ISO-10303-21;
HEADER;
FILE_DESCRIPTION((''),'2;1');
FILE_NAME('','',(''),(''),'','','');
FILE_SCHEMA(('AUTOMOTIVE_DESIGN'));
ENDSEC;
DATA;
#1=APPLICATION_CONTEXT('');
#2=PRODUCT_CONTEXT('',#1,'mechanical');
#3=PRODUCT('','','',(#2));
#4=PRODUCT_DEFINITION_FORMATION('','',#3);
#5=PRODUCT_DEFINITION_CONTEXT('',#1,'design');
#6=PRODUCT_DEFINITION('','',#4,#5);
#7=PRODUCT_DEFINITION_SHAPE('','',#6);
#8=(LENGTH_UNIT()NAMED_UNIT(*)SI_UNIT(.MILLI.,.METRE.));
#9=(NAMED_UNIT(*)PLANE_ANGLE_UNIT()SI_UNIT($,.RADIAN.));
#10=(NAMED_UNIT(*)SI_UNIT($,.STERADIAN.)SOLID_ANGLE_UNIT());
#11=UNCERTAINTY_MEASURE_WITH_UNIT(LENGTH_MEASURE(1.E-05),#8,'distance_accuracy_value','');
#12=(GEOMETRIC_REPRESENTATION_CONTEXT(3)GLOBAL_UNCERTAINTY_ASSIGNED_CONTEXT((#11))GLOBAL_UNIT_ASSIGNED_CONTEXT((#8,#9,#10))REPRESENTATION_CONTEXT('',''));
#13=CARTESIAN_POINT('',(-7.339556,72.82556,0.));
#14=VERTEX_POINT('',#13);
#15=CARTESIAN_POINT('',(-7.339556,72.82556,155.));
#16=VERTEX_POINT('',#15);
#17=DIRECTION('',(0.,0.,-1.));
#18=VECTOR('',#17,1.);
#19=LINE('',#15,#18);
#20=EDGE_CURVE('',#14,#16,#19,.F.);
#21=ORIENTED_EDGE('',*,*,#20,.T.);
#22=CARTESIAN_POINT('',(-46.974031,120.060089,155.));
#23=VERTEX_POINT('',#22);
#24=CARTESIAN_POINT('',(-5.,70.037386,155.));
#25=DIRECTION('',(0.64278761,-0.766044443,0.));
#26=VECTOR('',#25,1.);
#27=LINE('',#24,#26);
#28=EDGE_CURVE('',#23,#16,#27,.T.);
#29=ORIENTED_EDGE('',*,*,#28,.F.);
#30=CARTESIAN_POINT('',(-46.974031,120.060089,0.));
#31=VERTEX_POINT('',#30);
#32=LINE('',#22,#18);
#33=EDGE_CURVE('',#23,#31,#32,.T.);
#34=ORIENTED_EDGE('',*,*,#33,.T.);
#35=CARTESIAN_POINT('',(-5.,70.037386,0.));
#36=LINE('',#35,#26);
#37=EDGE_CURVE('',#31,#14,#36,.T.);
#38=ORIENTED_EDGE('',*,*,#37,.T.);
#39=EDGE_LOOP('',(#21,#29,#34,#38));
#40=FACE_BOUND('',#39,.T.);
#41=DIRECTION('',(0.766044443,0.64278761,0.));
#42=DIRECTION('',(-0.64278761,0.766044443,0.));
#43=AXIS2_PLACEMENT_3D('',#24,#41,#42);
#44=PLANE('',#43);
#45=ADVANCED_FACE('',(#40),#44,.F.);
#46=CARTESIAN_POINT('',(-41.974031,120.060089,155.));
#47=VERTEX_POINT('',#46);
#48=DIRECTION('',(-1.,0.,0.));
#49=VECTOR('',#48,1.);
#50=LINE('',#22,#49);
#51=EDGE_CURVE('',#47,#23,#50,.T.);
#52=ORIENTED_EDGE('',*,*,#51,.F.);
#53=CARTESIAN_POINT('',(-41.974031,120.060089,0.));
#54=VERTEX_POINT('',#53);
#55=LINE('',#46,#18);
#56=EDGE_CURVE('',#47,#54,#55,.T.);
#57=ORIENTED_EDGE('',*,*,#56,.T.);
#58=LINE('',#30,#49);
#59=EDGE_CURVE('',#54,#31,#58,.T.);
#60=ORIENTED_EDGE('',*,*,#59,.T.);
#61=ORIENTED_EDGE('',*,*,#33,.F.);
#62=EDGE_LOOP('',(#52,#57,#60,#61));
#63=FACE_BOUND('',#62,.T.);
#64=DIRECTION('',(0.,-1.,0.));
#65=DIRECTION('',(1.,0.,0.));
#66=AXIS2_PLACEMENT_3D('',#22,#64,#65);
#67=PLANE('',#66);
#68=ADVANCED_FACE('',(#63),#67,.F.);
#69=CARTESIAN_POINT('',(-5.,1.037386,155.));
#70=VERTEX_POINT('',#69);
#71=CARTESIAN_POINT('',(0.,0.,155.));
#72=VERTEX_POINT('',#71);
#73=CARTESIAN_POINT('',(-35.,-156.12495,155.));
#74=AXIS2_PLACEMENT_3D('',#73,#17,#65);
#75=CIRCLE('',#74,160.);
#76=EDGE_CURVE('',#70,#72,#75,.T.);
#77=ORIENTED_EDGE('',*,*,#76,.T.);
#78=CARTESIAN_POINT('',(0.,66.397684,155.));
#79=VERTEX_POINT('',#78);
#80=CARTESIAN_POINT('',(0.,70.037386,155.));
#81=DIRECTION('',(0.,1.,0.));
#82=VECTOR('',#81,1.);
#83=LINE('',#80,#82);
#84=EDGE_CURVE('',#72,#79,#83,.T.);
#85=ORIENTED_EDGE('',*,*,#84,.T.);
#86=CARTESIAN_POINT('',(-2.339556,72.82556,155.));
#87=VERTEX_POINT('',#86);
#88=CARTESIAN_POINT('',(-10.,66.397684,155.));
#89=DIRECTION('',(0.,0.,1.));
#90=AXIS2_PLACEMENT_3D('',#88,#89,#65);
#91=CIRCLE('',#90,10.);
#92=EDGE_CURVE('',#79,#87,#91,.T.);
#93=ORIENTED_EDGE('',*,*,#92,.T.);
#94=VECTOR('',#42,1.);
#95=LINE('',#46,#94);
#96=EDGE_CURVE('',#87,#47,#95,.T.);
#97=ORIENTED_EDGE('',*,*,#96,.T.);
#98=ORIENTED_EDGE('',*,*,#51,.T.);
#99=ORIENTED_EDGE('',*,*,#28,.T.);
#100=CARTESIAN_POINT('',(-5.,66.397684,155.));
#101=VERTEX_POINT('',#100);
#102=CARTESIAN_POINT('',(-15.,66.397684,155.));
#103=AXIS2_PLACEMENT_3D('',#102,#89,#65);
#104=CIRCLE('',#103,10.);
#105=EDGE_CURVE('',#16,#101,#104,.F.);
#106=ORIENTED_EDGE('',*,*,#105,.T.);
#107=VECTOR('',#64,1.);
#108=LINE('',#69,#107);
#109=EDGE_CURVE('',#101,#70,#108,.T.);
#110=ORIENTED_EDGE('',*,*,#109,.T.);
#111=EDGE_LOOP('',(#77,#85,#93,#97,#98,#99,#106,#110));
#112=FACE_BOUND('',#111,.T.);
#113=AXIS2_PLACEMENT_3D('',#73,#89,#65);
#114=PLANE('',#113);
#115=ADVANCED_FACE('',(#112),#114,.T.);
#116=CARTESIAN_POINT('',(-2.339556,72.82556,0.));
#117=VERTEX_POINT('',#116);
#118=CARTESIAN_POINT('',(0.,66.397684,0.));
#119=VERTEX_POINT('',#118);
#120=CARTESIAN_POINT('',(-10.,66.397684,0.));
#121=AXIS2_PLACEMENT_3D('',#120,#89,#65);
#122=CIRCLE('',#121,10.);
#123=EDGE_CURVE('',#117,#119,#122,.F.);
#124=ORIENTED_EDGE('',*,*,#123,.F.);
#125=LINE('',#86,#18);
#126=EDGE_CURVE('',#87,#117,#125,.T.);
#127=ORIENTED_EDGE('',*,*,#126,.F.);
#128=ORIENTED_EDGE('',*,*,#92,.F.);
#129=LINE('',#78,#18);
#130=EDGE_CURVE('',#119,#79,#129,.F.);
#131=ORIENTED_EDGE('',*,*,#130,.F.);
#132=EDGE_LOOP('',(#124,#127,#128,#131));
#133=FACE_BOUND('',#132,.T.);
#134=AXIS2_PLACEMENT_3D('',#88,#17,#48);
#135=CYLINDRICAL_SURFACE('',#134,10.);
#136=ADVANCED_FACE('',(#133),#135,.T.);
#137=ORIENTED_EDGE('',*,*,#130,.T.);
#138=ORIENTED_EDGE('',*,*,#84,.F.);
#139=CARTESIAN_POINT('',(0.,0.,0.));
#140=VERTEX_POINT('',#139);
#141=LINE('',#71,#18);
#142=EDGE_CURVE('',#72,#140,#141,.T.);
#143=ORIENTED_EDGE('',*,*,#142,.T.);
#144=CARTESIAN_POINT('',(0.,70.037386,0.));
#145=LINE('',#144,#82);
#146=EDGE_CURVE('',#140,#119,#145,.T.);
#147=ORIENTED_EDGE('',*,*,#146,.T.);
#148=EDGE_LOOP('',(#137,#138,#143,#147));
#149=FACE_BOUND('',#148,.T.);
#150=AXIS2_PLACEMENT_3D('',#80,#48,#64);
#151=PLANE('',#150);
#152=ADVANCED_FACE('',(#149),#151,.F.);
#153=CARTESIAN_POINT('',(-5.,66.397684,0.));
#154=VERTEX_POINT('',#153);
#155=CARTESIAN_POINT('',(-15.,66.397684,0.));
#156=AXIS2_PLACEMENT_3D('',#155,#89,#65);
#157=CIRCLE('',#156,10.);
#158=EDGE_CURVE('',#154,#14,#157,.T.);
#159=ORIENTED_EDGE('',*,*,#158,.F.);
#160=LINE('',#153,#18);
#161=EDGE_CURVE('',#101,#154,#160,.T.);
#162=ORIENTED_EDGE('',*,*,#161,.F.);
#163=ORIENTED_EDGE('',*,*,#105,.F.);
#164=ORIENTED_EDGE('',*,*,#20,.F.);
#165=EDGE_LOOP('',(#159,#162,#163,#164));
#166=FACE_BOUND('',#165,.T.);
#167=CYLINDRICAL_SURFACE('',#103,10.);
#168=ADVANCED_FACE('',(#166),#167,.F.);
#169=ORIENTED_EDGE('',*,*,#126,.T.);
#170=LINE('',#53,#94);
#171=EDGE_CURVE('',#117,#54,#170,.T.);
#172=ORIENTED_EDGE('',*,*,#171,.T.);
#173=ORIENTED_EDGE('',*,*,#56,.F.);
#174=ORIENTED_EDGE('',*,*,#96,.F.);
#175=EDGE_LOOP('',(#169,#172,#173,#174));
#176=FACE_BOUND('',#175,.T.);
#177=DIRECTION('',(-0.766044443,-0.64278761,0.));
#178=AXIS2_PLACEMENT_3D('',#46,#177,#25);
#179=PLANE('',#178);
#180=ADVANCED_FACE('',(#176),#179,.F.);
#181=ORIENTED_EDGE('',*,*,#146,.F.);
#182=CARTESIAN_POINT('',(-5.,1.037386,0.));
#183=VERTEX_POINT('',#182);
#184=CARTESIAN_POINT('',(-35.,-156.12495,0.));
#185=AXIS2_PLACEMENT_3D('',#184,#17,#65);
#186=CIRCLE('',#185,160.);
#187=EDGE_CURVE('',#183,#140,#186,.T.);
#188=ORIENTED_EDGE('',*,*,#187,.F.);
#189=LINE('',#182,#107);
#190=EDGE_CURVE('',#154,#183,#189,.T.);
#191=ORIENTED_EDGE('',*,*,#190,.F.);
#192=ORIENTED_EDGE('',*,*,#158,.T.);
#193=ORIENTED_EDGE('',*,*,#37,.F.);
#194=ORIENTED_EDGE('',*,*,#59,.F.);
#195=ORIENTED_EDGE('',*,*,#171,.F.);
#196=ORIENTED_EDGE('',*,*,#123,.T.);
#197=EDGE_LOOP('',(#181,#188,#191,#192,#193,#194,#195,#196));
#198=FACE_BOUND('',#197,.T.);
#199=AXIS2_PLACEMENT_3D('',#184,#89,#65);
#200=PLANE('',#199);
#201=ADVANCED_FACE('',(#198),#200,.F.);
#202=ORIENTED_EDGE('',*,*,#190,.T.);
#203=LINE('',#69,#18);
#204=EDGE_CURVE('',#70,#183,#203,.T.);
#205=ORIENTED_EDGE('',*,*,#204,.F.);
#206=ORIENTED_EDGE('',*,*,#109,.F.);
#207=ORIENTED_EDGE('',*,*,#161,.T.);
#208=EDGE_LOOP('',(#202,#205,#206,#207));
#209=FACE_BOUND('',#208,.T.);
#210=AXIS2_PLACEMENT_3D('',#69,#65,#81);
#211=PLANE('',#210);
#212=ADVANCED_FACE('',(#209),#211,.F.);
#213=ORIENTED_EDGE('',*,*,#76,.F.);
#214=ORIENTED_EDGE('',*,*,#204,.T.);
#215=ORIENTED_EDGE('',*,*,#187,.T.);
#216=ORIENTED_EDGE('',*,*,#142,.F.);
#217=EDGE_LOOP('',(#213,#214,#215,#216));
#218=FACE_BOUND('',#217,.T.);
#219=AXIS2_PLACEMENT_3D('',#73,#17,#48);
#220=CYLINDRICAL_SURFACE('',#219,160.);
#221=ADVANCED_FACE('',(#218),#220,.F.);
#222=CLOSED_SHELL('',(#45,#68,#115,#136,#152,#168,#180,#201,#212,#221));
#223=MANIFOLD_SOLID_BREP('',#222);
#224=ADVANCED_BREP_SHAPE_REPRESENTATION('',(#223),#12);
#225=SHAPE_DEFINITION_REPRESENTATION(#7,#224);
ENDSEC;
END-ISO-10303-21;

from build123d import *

# Parameters (mm, degrees)
FUNNEL_LEFT_SIDE_DEPTH = 155
FILLET1_R              = 10


with BuildPart() as part:
    # Sketch1 → Funnel - Left Side (new body)
    with BuildSketch(Plane.XY):
        with BuildLine():
            Line((-5, 1.037386495), (-5, 70.037386495))
            Line((-5, 70.037386495), (-46.974030913, 120.060088631))
            Line((-46.974030913, 120.060088631), (-41.974030913, 120.060088631))
            Line((-41.974030913, 120.060088631), (0, 70.037386495))
            Line((0, 70.037386495), (0, 0))
            ThreePointArc((0, 0), (-2.495861145, 0.538641718), (-5, 1.037386495))
        make_face()
    extrude(amount=FUNNEL_LEFT_SIDE_DEPTH)

    # Fillet1
    fillet1_edges = [part.edges().sort_by_distance(p)[0] for p in [
        (-5, 70.037386495, 77.5),
        (0, 70.037386495, 77.5),
    ]]
    fillet(fillet1_edges, radius=FILLET1_R)


solid = part.part
